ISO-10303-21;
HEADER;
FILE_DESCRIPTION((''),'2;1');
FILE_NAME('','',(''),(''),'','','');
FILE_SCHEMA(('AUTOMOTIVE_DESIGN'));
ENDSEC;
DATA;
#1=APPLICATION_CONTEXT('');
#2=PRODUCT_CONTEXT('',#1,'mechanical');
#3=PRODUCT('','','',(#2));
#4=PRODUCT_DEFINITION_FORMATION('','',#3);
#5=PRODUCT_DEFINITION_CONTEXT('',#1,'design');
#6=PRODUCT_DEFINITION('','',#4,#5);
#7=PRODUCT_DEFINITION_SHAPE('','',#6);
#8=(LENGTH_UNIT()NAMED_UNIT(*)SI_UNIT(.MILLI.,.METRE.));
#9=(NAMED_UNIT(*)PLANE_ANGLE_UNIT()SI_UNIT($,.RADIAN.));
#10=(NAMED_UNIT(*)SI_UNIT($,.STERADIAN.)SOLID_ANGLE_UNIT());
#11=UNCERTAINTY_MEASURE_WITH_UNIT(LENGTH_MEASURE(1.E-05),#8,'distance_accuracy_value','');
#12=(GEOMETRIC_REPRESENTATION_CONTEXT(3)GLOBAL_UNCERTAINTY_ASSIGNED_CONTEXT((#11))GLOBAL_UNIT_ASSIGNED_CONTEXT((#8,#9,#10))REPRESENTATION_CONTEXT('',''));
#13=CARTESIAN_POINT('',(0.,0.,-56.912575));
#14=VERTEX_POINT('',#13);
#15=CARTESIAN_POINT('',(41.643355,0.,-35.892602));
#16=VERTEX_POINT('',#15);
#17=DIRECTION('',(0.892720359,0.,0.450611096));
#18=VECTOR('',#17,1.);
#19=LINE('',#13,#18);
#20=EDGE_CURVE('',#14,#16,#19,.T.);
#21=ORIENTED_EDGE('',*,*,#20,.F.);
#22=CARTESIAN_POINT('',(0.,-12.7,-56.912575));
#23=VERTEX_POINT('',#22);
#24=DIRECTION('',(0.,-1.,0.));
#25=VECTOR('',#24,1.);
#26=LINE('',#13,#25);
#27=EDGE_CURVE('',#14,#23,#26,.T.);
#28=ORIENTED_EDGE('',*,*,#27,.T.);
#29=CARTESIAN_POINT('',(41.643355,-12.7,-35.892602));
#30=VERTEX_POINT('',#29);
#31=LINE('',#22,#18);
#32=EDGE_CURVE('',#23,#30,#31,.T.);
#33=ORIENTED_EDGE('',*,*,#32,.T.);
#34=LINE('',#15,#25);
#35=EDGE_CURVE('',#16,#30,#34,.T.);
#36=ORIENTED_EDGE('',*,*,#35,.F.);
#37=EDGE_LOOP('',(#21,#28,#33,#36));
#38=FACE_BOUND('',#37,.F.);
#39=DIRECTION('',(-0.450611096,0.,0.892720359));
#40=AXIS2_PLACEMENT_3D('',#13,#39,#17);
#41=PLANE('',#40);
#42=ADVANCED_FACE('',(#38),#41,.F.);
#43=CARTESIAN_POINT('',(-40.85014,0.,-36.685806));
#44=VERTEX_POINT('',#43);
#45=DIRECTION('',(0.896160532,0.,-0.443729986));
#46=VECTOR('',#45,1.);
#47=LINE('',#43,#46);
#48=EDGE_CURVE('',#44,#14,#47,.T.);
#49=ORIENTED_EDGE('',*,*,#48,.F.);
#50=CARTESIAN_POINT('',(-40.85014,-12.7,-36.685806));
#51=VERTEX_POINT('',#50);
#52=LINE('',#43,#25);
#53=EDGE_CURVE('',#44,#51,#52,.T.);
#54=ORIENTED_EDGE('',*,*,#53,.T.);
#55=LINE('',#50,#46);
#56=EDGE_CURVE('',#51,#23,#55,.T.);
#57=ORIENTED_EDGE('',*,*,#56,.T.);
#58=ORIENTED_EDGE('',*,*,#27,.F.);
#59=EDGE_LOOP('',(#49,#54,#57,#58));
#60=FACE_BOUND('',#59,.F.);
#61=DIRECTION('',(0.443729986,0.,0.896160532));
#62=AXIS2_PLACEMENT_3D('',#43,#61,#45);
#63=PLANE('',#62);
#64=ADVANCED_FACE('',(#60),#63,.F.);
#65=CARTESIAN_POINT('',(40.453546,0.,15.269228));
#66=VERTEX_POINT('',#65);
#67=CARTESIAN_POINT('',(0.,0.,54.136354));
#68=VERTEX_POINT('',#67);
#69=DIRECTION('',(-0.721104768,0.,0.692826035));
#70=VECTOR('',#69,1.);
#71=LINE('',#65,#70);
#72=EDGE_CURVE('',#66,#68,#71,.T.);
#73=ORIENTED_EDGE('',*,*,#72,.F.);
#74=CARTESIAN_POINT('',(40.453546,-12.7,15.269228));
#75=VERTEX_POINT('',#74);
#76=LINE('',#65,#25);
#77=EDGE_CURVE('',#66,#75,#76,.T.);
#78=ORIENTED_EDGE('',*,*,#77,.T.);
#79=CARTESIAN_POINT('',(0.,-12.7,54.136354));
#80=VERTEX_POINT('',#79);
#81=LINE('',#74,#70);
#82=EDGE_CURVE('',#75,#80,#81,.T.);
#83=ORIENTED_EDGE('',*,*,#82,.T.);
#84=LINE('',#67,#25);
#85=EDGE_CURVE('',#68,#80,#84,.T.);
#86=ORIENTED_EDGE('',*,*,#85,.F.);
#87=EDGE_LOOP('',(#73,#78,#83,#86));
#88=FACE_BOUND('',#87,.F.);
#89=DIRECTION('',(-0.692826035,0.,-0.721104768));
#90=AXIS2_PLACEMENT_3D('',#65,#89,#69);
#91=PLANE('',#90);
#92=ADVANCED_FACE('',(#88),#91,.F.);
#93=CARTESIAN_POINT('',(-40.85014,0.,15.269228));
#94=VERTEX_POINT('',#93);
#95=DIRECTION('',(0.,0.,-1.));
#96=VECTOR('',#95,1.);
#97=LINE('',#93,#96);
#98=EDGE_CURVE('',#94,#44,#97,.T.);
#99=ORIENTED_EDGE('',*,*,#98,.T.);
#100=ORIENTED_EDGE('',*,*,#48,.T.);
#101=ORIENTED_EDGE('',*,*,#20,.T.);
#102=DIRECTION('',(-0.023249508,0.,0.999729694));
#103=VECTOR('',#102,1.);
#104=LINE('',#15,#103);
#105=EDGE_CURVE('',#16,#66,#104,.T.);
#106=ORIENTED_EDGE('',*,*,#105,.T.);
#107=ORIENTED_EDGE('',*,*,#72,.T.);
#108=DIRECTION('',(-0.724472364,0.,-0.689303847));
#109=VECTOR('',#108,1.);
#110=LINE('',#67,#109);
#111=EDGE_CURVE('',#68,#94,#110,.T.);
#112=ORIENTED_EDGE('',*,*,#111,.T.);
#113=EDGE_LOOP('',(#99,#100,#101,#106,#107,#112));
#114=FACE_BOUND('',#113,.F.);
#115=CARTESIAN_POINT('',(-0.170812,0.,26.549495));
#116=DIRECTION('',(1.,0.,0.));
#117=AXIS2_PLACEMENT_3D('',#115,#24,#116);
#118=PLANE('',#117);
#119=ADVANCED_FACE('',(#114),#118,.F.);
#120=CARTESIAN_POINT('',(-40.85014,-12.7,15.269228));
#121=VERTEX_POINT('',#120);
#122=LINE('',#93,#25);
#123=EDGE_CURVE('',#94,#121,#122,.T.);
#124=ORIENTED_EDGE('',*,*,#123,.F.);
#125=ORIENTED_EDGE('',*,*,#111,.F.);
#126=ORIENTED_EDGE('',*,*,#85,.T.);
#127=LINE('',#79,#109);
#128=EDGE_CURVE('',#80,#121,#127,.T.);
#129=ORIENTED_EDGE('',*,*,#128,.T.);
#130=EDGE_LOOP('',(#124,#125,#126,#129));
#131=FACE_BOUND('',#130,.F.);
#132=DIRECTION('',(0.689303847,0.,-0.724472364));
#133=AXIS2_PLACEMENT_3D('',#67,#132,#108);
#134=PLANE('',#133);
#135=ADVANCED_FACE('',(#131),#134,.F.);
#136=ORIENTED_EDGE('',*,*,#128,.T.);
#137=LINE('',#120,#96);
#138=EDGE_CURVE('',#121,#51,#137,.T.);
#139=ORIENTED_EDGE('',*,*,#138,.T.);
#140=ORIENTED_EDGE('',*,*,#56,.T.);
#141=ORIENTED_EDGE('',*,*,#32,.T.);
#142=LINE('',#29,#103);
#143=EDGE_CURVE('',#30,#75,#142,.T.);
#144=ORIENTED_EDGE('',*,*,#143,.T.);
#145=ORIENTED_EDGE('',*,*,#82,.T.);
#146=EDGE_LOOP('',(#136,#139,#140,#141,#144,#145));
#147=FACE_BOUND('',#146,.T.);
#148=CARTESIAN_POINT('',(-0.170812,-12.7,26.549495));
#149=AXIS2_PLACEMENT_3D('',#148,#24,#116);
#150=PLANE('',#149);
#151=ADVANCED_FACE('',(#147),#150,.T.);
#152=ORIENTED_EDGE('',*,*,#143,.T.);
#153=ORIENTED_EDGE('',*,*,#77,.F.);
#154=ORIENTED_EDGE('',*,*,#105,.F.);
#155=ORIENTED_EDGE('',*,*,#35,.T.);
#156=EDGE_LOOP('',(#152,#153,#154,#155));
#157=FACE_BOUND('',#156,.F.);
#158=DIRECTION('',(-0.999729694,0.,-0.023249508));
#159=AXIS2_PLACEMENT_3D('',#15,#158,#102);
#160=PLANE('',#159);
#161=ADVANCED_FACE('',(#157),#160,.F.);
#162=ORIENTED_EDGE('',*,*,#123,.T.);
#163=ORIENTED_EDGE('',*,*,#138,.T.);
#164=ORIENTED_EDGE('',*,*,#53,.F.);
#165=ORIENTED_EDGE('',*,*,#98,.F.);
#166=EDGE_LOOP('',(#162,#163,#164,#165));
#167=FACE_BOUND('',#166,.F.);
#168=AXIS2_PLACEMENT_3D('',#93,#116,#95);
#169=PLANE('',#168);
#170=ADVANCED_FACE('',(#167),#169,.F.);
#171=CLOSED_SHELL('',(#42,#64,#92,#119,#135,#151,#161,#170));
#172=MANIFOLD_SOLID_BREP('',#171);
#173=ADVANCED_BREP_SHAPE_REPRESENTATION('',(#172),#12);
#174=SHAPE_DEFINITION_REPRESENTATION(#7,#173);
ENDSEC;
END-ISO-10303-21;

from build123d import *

# Parameters (mm, degrees)
F1_DEPTH = 12.7


with BuildPart() as f1:
    # F0 (on Front) → F1 (new body)
    with BuildSketch(Plane.XZ):
        Polygon((40.453546, 15.269228), (0, 54.136354), (-40.85014, 15.269228), align=None)
        Polygon((40.453546, 15.269228), (-40.85014, 15.269228), (-40.85014, -36.685806), (0, -56.912575), (41.643355, -35.892602), align=None)
    extrude(amount=F1_DEPTH)


solid = f1.part
